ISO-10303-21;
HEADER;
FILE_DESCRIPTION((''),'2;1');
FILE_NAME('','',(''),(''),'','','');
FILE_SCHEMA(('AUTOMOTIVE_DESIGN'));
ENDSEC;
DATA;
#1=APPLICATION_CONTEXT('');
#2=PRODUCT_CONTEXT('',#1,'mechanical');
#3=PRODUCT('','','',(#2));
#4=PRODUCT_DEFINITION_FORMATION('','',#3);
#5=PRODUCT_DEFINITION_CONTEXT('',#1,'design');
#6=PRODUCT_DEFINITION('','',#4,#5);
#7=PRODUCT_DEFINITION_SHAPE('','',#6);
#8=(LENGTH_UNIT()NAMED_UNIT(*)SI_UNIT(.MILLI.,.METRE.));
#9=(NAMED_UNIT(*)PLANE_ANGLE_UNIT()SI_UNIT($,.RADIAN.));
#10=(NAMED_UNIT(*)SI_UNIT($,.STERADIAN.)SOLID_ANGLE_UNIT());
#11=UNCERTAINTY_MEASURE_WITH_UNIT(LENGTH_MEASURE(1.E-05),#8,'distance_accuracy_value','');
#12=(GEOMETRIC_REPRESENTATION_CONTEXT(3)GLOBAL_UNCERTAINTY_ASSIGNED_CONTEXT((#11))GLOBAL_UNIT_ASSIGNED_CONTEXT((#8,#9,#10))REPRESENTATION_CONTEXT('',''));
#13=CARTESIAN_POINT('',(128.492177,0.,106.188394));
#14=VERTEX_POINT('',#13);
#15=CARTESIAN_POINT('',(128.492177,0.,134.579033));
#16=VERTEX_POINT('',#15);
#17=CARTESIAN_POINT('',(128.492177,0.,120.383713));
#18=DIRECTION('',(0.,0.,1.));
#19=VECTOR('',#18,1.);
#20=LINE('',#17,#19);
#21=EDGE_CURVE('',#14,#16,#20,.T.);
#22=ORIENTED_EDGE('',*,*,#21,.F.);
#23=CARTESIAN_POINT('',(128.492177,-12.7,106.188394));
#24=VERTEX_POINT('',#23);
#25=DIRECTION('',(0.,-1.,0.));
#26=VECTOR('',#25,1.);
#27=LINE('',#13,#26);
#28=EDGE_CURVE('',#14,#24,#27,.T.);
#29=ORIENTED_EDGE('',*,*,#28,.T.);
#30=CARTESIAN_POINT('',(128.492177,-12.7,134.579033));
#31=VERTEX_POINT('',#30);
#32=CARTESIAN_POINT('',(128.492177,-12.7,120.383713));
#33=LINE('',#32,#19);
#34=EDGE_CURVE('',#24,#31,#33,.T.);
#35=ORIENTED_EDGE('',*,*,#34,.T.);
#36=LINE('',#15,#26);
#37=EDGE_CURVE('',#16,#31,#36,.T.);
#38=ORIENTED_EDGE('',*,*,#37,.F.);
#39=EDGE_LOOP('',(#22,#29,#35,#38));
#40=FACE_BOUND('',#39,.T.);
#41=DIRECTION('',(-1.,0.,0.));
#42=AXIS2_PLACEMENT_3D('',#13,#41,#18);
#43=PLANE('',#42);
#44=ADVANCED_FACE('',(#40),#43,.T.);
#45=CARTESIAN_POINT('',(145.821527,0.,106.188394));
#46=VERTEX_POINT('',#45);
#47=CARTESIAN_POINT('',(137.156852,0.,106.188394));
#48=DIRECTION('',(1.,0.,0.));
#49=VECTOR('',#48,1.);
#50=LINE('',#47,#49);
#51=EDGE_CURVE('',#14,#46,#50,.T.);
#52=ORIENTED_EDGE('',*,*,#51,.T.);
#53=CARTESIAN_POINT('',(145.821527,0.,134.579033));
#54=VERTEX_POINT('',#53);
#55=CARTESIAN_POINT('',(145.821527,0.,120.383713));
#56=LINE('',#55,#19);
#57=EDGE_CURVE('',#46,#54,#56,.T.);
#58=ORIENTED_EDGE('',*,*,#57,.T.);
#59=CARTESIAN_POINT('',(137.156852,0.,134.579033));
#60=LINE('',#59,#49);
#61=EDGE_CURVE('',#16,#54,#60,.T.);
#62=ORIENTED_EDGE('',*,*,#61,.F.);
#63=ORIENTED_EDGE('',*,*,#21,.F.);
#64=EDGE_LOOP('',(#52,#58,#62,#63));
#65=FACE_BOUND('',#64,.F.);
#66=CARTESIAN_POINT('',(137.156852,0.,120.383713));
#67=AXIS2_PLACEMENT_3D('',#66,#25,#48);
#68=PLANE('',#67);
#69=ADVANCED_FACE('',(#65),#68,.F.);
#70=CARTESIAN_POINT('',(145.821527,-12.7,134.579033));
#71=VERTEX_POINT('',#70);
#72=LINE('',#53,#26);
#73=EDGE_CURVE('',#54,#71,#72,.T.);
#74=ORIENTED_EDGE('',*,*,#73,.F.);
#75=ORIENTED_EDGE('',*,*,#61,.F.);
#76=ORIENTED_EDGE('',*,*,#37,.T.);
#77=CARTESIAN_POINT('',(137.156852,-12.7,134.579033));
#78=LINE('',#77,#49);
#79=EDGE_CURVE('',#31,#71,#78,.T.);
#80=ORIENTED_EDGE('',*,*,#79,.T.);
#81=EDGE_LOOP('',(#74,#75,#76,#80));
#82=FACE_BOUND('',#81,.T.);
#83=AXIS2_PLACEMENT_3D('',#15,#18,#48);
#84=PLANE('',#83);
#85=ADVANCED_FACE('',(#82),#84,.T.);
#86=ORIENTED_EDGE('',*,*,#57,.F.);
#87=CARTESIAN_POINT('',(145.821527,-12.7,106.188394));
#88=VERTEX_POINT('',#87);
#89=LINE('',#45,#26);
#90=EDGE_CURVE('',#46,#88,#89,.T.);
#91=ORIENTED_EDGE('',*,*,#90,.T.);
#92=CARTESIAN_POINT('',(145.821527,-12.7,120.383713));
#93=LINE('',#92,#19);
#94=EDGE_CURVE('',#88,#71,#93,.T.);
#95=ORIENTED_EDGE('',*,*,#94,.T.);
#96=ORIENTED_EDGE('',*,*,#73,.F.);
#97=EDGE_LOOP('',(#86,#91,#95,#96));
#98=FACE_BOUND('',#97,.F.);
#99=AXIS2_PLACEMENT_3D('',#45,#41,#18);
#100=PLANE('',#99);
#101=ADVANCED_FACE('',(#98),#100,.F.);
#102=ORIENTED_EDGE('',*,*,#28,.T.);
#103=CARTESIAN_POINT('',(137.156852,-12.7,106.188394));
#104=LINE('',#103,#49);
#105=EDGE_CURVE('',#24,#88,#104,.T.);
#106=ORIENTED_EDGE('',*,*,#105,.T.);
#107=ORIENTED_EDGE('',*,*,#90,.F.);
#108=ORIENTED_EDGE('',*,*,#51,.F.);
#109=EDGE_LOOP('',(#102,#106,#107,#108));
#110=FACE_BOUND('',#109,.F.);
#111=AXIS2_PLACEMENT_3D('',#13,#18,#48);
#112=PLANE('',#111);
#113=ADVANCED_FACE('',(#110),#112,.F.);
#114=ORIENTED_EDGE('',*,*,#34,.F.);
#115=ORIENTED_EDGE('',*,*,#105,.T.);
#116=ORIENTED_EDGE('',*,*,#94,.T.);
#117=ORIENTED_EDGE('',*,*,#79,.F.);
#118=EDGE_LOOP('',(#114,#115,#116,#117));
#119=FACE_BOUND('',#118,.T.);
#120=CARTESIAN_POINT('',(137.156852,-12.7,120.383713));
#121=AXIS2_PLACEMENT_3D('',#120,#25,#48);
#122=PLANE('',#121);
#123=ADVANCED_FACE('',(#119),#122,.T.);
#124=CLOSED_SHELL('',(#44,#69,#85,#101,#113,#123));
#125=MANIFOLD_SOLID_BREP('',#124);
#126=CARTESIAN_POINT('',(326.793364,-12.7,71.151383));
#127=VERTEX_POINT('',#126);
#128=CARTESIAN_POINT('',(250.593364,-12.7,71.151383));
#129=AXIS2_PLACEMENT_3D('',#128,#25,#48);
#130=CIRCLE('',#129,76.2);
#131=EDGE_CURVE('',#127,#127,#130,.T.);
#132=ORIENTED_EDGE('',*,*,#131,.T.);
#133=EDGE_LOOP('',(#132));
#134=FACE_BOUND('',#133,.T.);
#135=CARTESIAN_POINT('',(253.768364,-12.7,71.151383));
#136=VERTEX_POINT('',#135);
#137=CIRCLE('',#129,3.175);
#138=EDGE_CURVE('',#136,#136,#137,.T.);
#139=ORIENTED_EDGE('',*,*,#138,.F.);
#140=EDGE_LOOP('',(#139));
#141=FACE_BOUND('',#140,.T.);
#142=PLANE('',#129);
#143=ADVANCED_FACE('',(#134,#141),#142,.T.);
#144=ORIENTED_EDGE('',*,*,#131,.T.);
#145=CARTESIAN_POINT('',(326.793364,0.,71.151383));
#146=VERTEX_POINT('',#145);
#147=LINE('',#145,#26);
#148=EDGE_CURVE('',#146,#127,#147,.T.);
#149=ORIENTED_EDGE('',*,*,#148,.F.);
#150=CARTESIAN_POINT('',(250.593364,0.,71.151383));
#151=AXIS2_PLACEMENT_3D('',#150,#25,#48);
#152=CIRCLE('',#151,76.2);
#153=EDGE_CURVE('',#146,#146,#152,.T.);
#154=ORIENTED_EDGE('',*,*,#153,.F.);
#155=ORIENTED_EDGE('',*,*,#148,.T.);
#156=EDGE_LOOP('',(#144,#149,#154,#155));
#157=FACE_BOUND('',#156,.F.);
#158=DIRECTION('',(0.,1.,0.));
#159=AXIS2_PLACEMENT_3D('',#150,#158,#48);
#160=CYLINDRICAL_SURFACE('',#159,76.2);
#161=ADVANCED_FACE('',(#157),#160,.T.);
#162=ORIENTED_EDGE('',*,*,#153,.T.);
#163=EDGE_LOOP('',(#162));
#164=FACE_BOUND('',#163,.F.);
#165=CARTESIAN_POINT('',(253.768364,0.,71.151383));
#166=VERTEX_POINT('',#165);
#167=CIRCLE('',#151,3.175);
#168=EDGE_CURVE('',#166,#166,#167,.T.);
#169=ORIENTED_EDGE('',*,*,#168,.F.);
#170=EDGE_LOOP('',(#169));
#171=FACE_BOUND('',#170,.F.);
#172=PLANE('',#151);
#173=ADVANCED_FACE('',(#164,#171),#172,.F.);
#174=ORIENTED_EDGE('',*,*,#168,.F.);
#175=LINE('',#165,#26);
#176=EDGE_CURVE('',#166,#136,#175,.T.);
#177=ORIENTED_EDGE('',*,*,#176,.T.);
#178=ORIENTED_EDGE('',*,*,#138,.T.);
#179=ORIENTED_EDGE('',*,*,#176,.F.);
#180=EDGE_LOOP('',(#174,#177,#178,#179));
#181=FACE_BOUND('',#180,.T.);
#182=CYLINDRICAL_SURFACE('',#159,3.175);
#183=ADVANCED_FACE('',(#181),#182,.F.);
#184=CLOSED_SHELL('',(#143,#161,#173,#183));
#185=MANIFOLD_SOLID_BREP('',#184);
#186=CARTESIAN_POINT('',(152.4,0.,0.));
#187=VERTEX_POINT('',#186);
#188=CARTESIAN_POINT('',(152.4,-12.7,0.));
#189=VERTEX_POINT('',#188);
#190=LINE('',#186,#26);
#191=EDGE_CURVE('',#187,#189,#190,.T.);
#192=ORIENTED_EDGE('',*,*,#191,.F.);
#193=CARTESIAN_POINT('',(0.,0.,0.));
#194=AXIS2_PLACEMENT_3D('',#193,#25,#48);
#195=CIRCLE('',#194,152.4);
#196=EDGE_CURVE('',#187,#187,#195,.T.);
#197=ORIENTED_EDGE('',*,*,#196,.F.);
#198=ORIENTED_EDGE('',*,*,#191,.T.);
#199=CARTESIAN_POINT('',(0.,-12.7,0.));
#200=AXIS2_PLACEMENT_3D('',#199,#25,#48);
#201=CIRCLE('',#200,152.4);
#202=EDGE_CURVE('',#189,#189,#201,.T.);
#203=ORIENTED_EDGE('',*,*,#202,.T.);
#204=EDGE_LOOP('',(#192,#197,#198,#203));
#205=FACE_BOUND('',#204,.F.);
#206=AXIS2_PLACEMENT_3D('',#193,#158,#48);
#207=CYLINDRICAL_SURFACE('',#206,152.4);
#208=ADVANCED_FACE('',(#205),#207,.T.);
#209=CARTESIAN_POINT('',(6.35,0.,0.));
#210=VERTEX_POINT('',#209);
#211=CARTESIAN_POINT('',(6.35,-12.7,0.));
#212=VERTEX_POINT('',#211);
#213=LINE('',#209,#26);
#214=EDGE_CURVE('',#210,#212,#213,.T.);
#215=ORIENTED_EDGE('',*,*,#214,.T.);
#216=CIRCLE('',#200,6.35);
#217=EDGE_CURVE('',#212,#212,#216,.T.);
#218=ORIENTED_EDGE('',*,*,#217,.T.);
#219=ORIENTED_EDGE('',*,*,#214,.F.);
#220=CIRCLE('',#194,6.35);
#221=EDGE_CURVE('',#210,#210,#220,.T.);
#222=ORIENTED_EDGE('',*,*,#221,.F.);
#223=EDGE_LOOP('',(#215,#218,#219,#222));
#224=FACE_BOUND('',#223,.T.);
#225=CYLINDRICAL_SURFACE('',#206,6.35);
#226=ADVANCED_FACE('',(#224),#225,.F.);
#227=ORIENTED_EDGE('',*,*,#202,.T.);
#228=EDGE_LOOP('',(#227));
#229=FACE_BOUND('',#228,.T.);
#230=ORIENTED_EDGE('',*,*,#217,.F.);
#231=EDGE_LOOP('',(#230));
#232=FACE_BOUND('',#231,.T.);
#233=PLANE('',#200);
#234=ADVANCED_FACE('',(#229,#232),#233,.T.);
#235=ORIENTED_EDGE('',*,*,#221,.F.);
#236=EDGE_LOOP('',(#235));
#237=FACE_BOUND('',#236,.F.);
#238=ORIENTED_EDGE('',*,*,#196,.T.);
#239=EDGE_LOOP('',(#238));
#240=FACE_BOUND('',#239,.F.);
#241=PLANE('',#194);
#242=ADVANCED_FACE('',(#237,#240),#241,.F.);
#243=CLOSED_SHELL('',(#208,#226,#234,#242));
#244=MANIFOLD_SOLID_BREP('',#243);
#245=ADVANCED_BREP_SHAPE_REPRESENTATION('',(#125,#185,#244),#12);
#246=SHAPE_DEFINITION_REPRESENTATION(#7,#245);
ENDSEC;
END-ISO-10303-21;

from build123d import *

# Parameters (mm, degrees)
F0_R     = 152.4
F0_R_2   = 6.35
F0_R_3   = 76.2
F0_R_4   = 3.175
F0_W     = 17.32935
F0_H     = 28.390639
F1_DEPTH = 12.7


with BuildPart() as f1:
    # F0 (on Front) → F1 (new body)
    with BuildSketch(Plane.XZ):
        Circle(F0_R)
        Circle(F0_R_2, mode=Mode.SUBTRACT)
        with Locations((250.593364, 71.151383)):
            Circle(F0_R_3)
        with Locations((250.593364, 71.151383)):
            Circle(F0_R_4, mode=Mode.SUBTRACT)
        with Locations((137.156852, 120.383713)):
            Rectangle(F0_W, F0_H)
    extrude(amount=F1_DEPTH)


solid = f1.part
